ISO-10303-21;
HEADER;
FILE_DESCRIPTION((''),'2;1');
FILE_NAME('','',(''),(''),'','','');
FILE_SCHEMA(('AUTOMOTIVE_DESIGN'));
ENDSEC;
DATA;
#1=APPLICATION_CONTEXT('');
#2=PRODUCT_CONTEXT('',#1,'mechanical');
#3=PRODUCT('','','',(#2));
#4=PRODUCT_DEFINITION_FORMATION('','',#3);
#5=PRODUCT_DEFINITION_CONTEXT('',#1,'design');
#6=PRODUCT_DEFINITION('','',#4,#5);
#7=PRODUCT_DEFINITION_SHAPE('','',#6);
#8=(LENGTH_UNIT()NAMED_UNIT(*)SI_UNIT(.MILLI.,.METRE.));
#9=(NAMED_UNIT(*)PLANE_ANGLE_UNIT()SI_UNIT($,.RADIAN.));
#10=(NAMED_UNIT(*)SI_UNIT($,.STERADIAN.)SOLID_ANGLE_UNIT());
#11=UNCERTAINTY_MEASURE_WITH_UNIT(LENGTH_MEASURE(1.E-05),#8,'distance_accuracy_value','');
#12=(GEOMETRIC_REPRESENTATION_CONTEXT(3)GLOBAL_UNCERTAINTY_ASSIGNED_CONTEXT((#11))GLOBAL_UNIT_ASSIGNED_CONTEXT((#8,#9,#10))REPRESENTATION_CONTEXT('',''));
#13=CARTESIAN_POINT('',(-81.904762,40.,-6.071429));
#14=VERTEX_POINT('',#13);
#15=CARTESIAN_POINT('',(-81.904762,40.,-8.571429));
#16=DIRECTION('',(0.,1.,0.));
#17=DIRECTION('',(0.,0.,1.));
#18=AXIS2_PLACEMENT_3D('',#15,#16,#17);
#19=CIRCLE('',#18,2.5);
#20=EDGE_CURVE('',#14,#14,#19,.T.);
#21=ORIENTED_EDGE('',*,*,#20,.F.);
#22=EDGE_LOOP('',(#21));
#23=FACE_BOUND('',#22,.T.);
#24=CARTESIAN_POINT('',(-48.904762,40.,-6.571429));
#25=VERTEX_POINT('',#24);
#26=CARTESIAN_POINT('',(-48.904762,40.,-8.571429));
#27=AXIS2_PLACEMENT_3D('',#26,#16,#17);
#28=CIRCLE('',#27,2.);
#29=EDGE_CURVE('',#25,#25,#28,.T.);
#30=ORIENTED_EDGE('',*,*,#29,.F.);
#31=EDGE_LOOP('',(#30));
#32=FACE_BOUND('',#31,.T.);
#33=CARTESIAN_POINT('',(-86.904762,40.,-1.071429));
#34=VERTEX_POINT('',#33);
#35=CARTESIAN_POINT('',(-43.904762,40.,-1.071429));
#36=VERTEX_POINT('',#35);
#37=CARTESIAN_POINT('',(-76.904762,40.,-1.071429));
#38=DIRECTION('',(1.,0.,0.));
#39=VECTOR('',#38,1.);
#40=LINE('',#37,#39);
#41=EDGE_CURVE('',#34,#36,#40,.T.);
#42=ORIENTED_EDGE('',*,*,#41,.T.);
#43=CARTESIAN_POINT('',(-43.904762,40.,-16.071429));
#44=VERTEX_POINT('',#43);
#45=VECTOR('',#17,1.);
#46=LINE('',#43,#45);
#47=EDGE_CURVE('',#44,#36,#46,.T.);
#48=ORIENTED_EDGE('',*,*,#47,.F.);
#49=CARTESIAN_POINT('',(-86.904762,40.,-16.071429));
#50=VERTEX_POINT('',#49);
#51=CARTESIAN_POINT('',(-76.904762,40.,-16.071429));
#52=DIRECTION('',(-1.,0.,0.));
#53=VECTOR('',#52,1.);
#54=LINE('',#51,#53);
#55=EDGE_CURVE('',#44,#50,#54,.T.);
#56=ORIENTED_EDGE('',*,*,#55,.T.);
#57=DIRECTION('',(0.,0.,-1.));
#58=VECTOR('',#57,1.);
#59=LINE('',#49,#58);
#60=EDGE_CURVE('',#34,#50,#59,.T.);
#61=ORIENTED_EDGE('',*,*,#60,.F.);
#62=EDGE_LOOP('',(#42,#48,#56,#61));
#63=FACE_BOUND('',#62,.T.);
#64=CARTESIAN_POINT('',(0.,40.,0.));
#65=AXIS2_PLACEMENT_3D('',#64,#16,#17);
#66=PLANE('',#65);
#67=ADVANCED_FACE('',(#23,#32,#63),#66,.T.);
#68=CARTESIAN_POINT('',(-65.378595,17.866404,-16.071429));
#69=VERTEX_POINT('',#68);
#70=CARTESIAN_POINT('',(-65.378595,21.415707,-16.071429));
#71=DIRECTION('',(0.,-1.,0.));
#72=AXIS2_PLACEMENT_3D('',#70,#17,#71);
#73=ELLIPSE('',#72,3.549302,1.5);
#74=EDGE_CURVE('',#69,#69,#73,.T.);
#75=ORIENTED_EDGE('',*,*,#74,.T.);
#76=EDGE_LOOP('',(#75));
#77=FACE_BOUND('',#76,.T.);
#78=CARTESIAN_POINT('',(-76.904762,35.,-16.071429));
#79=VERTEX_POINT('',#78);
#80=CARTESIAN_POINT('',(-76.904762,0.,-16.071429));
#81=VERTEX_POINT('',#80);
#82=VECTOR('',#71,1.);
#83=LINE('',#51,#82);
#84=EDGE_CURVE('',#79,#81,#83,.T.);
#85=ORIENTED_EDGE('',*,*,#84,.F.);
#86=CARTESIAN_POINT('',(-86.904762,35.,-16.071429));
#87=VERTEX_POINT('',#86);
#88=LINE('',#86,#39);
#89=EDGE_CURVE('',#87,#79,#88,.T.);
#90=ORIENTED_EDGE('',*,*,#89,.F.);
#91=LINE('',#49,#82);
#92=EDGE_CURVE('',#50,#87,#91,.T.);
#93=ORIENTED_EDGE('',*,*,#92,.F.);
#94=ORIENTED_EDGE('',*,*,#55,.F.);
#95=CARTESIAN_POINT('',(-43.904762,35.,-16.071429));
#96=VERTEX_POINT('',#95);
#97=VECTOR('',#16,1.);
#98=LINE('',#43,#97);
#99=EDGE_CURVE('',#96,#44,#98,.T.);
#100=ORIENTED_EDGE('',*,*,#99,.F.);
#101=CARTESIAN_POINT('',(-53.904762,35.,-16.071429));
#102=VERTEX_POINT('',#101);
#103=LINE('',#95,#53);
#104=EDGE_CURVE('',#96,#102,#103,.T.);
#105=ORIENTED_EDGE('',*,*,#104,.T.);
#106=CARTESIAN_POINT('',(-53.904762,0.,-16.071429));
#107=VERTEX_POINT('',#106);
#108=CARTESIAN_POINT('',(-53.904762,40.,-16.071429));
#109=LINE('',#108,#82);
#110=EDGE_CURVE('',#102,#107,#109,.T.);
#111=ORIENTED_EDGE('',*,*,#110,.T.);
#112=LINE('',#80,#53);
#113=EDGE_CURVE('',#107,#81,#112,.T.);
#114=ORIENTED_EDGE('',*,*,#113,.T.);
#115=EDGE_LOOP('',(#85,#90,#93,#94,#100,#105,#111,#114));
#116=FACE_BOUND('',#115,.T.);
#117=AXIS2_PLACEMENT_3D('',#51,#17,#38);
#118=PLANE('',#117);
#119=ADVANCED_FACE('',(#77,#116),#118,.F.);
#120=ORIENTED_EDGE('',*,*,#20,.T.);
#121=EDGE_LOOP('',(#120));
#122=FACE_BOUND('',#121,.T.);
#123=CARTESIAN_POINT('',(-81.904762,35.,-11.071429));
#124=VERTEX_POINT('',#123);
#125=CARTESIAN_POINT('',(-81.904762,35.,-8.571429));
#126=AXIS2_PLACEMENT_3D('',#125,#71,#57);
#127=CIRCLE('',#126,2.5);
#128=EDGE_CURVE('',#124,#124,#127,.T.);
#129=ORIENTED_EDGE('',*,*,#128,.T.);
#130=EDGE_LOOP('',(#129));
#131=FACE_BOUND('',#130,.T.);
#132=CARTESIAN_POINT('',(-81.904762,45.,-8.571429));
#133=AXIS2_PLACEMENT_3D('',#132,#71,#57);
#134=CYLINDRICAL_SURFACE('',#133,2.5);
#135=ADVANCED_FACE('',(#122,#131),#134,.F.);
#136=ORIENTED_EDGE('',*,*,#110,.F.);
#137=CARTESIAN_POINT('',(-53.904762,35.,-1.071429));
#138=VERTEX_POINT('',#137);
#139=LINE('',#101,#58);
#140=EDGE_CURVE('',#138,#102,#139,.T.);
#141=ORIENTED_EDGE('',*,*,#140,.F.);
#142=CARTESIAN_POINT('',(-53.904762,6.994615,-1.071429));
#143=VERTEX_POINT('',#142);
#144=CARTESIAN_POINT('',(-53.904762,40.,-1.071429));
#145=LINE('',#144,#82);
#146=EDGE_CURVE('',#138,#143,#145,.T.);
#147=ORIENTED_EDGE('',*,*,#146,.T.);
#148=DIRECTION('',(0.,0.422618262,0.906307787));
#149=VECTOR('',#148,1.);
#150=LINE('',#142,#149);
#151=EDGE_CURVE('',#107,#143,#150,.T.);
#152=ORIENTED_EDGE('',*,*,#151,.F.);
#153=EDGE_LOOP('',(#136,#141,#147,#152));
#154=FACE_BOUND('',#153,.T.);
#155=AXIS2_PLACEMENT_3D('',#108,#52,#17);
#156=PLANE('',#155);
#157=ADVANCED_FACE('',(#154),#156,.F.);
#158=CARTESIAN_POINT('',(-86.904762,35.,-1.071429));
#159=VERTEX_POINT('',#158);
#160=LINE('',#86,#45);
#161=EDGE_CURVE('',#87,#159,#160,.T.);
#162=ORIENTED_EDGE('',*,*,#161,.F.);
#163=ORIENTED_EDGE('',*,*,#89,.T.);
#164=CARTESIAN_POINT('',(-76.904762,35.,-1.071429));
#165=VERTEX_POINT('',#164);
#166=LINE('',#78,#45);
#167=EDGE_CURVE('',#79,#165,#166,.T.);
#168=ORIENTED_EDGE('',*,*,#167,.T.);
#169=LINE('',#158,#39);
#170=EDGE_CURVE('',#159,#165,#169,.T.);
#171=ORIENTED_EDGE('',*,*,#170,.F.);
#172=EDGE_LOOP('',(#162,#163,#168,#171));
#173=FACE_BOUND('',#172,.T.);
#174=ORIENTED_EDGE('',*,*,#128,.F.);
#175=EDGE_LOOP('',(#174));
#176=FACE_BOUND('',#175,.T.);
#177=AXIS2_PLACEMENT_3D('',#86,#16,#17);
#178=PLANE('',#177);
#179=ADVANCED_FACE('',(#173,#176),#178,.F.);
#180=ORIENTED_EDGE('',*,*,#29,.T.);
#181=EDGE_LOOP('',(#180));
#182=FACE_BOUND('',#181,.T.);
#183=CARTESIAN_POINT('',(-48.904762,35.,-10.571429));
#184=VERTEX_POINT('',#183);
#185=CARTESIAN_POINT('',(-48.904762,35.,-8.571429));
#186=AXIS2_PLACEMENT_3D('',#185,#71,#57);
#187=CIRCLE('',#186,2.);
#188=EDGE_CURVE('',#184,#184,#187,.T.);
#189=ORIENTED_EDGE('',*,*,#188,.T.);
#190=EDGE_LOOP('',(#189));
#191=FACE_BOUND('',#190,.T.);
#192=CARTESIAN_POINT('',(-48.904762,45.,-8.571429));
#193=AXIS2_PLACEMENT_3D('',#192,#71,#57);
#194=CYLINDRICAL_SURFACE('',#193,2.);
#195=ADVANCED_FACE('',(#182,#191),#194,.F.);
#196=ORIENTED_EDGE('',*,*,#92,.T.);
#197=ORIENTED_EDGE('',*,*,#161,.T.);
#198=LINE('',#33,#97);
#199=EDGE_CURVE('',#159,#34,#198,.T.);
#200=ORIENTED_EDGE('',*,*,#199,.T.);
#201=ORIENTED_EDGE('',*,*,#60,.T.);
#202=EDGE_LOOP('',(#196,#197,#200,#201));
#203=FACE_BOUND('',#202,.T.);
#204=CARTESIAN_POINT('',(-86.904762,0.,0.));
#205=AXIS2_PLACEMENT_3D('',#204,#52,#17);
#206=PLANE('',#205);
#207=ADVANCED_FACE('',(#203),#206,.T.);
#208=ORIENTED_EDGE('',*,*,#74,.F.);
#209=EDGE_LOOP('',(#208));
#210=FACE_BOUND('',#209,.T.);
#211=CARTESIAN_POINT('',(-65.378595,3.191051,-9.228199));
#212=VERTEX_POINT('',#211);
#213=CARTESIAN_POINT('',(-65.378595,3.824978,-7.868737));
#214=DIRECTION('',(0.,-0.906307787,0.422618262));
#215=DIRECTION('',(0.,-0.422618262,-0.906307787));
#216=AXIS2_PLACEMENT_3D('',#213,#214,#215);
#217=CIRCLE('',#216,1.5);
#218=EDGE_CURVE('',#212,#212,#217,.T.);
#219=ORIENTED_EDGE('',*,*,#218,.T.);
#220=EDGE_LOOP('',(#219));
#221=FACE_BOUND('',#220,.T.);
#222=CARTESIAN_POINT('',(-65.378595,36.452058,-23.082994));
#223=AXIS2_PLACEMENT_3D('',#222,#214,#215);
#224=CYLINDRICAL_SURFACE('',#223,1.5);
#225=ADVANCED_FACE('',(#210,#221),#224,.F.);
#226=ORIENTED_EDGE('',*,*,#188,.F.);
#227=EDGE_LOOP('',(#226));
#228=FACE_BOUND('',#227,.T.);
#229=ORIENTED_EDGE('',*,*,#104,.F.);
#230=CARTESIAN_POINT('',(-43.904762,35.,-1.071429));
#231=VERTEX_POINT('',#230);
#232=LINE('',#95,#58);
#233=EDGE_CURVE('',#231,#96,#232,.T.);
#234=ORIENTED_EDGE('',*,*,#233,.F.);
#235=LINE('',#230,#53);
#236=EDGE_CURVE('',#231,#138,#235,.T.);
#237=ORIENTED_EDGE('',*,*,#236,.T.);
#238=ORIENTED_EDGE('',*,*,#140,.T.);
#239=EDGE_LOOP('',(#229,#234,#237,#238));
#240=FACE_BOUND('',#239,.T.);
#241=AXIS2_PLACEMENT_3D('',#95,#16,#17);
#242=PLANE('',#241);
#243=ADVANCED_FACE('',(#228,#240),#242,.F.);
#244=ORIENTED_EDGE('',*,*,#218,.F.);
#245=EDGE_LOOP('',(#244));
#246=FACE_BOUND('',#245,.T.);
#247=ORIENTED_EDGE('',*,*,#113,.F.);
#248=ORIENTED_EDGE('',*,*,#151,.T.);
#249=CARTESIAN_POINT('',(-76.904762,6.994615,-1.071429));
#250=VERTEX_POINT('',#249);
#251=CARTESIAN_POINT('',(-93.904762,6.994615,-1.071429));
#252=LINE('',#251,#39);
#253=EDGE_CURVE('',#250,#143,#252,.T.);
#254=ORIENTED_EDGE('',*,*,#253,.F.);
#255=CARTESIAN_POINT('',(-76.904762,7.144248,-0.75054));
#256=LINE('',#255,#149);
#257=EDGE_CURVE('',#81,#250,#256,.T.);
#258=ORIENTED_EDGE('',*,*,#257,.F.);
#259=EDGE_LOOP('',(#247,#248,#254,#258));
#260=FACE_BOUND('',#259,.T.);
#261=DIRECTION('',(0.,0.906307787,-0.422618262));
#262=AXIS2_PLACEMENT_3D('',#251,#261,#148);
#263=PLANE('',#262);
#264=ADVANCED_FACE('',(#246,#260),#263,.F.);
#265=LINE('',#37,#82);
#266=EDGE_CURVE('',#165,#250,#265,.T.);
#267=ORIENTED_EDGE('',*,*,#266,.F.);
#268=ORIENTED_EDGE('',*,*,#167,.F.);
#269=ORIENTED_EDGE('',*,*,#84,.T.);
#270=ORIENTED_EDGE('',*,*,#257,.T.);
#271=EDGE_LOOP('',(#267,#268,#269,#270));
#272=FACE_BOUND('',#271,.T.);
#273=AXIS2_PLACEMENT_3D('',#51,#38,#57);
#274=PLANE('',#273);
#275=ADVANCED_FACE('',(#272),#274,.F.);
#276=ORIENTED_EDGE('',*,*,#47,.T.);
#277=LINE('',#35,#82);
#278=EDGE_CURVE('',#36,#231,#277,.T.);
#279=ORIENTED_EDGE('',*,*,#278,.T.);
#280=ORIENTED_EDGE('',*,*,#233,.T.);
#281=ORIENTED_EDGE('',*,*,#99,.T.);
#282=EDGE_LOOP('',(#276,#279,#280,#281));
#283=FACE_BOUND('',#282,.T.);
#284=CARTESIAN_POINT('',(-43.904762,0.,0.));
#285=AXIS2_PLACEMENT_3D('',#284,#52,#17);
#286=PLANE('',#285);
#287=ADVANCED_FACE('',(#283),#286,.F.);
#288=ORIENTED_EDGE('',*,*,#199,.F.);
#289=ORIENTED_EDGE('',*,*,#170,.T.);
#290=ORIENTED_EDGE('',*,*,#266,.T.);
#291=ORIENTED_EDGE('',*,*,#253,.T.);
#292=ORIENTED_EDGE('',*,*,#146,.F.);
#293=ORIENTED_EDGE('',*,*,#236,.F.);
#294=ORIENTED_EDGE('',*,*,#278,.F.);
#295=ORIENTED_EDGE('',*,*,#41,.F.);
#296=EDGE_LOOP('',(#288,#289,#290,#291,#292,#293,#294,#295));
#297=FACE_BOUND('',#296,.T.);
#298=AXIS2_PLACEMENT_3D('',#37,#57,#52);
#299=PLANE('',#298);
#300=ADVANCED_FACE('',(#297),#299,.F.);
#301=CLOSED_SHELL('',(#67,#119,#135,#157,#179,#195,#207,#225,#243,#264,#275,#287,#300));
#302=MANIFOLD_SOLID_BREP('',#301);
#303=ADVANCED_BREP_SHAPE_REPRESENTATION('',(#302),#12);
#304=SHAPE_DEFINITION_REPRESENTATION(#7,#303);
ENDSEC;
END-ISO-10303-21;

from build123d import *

# Parameters (mm, degrees)
SKETCH1_W           = 23
SKETCH1_H           = 15
BOSS_EXTRUDE1_DEPTH = 40
CUT_EXTRUDE1_DEPTH  = 40
SKETCH3_R           = 1.5
CUT_EXTRUDE2_DEPTH  = 36
SKETCH4_W           = 15
SKETCH4_H           = 5
BOSS_EXTRUDE2_DEPTH = 10
SKETCH5_W           = 15
SKETCH5_H           = 5
BOSS_EXTRUDE3_DEPTH = 10
SKETCH6_R           = 2.5
SKETCH6_R_2         = 2
CUT_EXTRUDE3_DEPTH  = 10


with BuildPart() as part:
    # Sketch1 → Boss-Extrude1 (new body)
    with BuildSketch(Plane(origin=(0, 0, 0), x_dir=(1, 0, 0), z_dir=(0, 1, 0))):
        with Locations((-65.404761905, 8.571428571)):
            Rectangle(SKETCH1_W, SKETCH1_H)
    extrude(amount=BOSS_EXTRUDE1_DEPTH)

    # Sketch2 → Cut-Extrude1 (cut)
    with BuildSketch(Plane(origin=(-53.904761905, 0, 0), x_dir=(0, 0, -1), z_dir=(1, 0, 0))):
        Polygon((16.071428571, 0), (1.071428571, 0), (1.071428571, 6.994614872), align=None)
    extrude(amount=-CUT_EXTRUDE1_DEPTH, mode=Mode.SUBTRACT)

    # Sketch3 → Cut-Extrude2 (cut)
    with BuildSketch(Plane(origin=(0, 6.155714275, -2.870456708), x_dir=(1, 0, 0), z_dir=(0, -0.9063077870366528, 0.4226182617406934))):
        with Locations(Location((-65.378595466, -5.514992079, 0), (0, 0, 270))):
            Circle(SKETCH3_R)
    extrude(amount=-CUT_EXTRUDE2_DEPTH, mode=Mode.SUBTRACT)

    # Sketch4 → Boss-Extrude2 (add)
    with BuildSketch(Plane(origin=(-53.904761905, 0, 0), x_dir=(0, 0, -1), z_dir=(1, 0, 0))):
        with Locations((8.571428571, 37.5)):
            Rectangle(SKETCH4_W, SKETCH4_H)
    extrude(amount=BOSS_EXTRUDE2_DEPTH)

    # Sketch5 → Boss-Extrude3 (add)
    with BuildSketch(Plane.ZY.offset(76.904761905)):
        with Locations((-8.571428571, 37.5)):
            Rectangle(SKETCH5_W, SKETCH5_H)
    extrude(amount=BOSS_EXTRUDE3_DEPTH)

    # Sketch6 → Cut-Extrude3 (cut)
    with BuildSketch(Plane.XZ.offset(-35)):
        with Locations(Location((-81.904761905, -8.571428571, 0), (0, 0, 270))):
            Circle(SKETCH6_R)
        with Locations(Location((-48.904761905, -8.571428571, 0), (0, 0, 270))):
            Circle(SKETCH6_R_2)
    extrude(amount=-CUT_EXTRUDE3_DEPTH, mode=Mode.SUBTRACT)


solid = part.part
